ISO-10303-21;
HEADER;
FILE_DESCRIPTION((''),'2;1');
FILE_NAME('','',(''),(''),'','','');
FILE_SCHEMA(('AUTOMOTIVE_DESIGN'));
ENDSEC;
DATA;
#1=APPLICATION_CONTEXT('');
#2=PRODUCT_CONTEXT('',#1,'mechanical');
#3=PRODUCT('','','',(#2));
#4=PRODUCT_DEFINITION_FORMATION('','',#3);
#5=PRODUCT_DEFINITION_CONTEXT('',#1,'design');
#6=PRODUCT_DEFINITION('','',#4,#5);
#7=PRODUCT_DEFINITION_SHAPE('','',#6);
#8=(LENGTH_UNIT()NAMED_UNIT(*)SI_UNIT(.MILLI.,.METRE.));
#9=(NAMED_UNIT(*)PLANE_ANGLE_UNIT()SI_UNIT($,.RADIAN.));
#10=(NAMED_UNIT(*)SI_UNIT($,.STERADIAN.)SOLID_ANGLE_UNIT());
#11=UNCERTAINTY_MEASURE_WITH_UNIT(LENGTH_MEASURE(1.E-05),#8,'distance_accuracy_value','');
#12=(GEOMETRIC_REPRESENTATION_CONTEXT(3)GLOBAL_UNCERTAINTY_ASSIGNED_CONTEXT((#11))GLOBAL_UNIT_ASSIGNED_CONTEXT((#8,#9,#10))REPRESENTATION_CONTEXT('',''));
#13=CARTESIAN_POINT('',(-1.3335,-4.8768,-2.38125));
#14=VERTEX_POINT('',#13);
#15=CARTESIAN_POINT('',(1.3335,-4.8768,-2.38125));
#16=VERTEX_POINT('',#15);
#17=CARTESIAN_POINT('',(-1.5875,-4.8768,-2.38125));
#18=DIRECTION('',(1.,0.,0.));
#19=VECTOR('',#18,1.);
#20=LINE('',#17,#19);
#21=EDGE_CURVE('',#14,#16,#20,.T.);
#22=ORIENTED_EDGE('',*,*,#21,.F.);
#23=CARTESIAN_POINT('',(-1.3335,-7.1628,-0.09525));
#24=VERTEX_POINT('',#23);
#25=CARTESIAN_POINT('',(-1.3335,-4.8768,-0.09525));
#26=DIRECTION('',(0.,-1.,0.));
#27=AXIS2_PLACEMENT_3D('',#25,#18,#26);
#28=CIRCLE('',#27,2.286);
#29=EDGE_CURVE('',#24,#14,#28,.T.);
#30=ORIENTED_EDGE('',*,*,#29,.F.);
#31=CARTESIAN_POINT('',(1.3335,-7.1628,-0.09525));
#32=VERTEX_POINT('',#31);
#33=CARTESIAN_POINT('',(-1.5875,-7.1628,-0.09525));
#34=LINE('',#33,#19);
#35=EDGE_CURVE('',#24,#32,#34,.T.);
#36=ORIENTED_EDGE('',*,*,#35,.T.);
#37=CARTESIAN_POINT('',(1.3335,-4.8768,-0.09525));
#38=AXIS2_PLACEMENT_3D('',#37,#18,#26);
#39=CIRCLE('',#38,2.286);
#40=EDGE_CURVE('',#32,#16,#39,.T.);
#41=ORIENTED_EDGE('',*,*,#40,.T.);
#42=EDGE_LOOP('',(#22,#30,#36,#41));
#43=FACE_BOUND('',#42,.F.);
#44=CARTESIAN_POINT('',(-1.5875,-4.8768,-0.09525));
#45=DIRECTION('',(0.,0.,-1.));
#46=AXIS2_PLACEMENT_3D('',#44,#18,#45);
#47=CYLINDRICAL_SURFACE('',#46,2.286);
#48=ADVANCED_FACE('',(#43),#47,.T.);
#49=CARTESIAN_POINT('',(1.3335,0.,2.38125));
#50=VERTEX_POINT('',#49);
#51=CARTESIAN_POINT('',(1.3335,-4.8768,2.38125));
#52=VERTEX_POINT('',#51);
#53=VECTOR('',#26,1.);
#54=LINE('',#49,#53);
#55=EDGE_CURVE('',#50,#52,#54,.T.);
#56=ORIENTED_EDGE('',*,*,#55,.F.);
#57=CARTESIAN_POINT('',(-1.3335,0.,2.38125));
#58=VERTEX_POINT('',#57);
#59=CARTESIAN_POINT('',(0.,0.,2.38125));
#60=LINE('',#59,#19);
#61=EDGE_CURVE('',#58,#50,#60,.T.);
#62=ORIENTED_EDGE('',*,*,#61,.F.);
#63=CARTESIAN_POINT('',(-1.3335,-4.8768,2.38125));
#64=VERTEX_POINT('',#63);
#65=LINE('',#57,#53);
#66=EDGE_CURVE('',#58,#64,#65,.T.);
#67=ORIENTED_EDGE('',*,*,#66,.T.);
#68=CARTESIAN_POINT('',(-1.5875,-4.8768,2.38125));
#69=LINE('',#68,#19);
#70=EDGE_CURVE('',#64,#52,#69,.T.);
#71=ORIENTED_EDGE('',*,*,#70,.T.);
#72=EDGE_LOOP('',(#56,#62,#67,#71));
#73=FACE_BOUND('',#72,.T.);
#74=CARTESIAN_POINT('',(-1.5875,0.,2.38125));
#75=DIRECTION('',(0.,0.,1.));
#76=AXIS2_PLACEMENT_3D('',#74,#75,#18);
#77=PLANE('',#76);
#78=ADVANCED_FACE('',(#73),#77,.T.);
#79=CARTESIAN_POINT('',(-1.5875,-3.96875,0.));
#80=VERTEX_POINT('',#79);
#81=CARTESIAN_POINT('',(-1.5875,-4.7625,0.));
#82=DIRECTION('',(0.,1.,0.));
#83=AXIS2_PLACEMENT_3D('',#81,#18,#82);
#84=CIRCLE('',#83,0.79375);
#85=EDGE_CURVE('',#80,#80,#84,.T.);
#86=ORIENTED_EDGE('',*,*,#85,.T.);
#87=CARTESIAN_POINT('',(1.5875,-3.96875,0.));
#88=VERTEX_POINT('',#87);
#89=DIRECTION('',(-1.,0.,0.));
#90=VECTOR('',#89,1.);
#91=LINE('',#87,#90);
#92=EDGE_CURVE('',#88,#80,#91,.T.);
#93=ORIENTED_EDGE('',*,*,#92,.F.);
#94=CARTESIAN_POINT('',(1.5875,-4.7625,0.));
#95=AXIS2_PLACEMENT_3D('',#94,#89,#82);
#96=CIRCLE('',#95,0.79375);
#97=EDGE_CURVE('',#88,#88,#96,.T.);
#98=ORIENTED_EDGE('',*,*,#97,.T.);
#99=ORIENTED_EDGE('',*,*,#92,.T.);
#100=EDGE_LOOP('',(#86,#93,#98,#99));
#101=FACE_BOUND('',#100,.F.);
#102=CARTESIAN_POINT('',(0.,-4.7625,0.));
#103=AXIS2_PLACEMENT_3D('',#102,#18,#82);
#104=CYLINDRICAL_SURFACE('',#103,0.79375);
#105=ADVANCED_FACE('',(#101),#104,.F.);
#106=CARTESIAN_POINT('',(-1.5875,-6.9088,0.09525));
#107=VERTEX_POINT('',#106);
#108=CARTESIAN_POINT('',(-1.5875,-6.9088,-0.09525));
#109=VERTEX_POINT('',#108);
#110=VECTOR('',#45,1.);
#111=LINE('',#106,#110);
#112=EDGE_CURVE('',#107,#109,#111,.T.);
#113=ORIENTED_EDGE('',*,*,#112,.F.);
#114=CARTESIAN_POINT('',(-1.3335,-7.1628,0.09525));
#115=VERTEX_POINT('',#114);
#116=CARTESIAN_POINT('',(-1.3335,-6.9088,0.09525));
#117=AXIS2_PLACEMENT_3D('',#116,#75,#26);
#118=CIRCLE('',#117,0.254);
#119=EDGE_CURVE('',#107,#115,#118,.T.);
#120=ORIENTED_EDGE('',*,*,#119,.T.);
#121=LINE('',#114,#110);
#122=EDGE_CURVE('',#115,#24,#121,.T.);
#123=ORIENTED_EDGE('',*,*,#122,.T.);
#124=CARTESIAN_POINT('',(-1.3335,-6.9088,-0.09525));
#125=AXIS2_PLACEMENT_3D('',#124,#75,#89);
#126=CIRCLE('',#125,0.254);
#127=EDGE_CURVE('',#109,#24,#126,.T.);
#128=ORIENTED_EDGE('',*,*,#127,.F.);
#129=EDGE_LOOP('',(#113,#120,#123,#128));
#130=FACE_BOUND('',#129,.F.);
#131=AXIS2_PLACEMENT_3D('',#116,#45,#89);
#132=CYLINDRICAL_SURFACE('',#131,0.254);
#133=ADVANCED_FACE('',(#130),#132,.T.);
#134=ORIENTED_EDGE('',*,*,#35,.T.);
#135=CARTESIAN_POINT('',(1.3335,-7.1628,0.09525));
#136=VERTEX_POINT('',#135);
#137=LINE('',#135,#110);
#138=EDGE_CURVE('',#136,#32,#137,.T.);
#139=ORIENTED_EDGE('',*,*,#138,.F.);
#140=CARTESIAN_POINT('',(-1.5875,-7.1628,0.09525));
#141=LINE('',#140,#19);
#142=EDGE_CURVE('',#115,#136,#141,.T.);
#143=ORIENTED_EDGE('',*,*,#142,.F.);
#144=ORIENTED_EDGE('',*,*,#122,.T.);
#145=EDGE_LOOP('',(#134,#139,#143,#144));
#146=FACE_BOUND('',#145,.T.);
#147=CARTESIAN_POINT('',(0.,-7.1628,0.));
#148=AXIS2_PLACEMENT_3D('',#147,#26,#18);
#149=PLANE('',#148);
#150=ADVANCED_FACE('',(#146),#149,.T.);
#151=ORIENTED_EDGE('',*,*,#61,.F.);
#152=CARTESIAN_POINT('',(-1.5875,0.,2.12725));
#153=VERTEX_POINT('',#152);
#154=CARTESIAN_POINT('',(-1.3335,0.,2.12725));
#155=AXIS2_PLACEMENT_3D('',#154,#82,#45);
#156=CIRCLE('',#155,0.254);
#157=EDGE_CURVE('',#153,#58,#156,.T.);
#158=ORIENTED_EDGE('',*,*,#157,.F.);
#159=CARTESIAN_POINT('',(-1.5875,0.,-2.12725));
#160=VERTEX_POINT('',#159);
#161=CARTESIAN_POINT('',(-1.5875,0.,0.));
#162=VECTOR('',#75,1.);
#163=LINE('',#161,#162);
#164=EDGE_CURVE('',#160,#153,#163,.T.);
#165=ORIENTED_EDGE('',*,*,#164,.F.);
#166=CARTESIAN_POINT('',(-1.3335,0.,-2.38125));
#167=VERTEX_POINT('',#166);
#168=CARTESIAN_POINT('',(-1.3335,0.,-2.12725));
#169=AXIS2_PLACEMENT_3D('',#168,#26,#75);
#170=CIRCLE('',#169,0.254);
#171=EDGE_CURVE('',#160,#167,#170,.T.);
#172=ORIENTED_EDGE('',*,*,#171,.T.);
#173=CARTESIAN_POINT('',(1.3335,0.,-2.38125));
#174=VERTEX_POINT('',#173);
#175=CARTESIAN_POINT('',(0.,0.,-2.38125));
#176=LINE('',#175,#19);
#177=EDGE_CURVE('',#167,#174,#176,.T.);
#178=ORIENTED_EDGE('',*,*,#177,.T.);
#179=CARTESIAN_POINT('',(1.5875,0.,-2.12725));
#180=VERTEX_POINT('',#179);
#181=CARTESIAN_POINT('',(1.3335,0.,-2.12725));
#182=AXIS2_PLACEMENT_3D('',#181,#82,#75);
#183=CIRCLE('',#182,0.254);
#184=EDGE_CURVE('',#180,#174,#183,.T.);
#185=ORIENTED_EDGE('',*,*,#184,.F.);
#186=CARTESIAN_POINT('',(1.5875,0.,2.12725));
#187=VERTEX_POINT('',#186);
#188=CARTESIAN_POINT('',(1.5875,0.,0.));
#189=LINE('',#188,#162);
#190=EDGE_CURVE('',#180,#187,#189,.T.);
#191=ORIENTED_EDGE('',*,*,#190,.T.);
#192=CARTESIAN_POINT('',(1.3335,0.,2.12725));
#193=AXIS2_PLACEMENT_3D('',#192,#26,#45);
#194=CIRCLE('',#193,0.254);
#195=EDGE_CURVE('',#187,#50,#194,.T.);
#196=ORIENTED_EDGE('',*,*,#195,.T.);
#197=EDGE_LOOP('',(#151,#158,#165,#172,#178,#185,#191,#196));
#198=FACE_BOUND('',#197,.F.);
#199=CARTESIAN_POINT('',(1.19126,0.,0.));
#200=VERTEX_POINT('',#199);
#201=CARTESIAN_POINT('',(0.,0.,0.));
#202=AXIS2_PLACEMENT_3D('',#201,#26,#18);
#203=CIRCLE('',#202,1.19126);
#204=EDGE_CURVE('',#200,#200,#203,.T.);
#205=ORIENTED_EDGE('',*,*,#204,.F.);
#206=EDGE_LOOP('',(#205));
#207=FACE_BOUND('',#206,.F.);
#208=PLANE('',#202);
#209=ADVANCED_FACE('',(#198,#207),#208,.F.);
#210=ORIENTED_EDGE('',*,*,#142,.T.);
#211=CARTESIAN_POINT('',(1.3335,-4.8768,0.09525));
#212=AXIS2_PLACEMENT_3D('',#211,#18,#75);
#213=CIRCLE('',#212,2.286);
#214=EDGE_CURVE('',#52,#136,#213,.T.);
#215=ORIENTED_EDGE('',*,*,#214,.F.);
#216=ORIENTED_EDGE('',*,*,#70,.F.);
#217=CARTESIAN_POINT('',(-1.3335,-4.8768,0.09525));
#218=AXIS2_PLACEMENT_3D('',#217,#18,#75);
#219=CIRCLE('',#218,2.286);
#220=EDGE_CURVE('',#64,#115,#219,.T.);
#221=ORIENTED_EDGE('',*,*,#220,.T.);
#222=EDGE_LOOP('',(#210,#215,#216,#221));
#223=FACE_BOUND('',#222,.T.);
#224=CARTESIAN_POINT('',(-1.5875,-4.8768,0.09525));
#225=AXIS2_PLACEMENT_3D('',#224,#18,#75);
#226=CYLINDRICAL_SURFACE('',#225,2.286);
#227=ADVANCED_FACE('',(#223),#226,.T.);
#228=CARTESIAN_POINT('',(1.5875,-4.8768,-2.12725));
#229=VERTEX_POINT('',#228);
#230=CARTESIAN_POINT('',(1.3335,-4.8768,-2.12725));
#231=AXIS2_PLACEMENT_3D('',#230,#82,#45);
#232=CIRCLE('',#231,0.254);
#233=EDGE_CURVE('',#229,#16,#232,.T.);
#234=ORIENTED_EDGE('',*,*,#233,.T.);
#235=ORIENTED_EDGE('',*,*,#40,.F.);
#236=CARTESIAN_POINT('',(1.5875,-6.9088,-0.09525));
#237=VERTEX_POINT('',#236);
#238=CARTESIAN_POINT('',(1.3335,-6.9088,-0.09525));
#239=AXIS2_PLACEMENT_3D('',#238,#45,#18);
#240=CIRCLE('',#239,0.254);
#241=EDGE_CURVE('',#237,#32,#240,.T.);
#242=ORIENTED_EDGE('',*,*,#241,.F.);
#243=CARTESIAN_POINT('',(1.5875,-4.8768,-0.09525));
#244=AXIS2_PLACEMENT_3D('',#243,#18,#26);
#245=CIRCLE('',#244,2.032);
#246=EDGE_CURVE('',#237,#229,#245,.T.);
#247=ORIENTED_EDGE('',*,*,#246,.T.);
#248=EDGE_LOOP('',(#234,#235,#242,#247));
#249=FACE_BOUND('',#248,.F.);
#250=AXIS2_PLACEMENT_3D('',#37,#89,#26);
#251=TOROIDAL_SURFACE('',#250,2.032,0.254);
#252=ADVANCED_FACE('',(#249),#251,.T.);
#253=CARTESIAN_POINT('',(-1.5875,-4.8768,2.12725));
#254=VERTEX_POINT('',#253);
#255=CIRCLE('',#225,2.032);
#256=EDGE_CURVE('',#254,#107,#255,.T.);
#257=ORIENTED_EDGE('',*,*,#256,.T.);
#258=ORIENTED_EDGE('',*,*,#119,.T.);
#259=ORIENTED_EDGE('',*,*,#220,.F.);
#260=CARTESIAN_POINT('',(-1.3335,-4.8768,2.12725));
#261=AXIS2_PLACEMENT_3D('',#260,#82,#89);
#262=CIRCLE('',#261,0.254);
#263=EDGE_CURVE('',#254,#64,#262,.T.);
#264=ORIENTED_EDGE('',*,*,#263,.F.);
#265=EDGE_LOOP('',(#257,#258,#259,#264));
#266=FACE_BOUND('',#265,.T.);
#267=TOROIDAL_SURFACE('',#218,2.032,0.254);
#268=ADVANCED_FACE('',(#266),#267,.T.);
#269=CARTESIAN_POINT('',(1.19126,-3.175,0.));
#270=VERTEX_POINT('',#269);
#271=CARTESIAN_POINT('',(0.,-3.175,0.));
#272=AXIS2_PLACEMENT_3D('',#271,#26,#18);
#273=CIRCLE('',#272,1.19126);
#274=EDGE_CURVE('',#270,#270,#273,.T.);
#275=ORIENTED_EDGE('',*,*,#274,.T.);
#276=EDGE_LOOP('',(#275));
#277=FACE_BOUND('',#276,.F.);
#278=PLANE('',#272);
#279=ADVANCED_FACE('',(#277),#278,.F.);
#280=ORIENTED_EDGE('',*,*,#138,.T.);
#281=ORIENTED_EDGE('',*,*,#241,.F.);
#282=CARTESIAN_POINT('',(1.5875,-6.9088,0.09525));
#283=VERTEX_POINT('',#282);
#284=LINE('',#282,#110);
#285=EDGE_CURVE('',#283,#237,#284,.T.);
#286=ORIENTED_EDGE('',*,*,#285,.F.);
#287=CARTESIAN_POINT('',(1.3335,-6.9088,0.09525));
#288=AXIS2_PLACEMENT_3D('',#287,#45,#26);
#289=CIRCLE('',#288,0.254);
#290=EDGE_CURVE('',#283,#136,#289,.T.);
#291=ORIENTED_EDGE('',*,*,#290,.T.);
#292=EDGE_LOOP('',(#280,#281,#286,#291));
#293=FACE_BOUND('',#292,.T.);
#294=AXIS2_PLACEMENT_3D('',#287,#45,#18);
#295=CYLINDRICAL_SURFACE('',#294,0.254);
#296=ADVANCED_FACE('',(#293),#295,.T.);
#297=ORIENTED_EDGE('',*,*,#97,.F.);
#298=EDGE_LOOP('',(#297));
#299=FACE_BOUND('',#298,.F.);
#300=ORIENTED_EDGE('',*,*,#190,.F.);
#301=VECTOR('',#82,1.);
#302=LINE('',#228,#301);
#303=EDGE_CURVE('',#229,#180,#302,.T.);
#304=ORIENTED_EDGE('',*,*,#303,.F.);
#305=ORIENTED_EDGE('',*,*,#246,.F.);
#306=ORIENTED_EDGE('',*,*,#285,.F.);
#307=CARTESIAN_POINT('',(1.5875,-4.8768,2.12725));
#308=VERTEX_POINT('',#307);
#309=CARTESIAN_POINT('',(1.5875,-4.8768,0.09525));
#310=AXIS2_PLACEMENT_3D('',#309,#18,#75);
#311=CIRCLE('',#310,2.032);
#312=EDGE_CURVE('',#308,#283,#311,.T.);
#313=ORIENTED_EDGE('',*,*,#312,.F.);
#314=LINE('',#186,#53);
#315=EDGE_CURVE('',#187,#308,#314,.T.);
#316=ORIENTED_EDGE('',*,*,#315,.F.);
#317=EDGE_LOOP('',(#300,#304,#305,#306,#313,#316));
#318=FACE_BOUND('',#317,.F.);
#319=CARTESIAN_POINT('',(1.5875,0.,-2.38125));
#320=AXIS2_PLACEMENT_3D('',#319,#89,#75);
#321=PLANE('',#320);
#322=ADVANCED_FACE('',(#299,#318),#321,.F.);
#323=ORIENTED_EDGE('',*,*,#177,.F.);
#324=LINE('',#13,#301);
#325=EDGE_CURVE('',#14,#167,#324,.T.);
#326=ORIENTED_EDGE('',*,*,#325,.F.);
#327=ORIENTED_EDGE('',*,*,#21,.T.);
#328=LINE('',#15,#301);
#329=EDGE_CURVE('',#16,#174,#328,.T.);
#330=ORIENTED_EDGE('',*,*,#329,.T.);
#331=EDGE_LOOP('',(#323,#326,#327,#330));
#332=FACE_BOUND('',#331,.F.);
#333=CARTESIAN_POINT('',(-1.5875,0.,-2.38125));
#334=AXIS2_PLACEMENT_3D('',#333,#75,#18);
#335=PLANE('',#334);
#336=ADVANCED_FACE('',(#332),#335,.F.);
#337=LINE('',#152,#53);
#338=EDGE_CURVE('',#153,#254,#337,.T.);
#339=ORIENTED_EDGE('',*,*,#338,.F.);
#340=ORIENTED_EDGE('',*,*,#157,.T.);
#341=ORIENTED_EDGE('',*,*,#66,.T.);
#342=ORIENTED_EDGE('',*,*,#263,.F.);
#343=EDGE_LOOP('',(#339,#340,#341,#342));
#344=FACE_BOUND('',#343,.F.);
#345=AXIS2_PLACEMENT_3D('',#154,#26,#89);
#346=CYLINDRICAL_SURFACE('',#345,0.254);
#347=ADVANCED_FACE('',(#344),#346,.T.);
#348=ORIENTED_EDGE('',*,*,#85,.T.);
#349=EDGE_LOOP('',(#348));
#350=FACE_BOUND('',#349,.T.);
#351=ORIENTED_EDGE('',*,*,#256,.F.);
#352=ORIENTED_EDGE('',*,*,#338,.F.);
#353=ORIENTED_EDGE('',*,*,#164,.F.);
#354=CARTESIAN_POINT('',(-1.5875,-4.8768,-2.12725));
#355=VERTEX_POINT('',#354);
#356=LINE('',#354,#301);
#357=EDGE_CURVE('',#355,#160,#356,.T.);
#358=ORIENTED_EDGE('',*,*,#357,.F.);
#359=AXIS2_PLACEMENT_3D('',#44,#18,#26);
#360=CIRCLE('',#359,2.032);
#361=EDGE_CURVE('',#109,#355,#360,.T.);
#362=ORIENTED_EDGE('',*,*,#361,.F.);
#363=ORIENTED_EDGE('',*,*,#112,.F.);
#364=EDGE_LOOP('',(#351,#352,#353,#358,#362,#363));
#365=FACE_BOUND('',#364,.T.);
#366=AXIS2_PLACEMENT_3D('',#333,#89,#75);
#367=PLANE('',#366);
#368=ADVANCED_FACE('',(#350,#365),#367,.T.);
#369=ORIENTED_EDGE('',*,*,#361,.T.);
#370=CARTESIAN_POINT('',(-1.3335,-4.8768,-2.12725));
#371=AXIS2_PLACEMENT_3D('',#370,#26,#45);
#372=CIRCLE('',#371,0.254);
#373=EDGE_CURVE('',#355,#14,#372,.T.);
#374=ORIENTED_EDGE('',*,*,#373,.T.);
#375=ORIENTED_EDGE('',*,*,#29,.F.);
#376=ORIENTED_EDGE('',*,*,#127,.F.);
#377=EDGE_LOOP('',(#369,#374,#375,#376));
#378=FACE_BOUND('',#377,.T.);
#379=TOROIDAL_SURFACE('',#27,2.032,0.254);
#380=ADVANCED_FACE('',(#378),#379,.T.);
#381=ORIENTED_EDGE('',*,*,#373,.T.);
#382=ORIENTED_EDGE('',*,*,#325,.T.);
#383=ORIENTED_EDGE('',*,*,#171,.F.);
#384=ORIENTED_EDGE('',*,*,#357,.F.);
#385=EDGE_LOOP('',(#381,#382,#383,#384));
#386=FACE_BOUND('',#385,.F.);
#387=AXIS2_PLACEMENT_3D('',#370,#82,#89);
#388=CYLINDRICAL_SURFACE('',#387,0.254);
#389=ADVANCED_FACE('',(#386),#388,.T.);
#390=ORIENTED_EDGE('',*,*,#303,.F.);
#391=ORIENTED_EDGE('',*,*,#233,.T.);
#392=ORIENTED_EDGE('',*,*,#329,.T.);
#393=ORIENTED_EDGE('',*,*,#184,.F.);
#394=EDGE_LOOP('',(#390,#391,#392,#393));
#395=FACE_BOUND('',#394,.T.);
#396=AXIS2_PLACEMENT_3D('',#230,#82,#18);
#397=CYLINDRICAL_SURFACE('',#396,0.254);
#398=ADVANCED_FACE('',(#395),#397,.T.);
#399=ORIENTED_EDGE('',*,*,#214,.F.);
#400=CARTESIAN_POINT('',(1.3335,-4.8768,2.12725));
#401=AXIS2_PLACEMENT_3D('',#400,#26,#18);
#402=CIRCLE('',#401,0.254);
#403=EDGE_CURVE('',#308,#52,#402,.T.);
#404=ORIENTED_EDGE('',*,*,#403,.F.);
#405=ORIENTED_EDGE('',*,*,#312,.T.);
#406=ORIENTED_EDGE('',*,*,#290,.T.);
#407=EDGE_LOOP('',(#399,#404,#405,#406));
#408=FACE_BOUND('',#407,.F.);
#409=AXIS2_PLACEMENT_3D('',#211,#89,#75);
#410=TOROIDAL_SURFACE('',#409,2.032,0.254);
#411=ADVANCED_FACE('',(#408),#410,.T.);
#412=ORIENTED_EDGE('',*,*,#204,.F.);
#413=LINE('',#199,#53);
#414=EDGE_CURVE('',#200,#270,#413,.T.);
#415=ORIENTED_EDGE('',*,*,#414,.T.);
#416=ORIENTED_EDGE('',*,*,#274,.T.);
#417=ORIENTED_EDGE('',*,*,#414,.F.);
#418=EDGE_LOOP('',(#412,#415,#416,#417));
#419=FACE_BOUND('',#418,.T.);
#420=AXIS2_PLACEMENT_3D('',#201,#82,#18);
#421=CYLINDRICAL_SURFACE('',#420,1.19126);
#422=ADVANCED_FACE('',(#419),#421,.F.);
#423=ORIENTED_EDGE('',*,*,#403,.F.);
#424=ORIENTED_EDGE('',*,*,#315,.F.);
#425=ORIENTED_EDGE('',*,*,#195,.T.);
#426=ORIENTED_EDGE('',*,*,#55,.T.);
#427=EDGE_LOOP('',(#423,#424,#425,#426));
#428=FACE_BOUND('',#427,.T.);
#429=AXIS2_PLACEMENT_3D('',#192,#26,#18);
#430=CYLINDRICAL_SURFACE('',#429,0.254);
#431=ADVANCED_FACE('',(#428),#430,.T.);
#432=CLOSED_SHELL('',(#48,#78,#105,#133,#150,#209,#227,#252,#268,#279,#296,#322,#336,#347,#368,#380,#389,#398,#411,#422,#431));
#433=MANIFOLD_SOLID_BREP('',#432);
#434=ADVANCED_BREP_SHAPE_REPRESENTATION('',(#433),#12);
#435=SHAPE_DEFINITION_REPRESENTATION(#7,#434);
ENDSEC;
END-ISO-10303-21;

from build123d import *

# Parameters (mm, degrees)
F0_W          = 3.175
F0_H          = 4.7625
F1_DEPTH      = 7.1628
F2_R          = 2.286
F3_R          = 1.19126
F4_DEPTH      = 3.175
F5_R          = 0.79375
F6_DEPTH      = 25.4
F6_DEPTH_BACK = 25.4
F7_R          = 0.254


with BuildPart() as f1:
    # F0 (on Front) → F1 (new body)
    with BuildSketch(Plane.XZ):
        Rectangle(F0_W, F0_H)
    extrude(amount=F1_DEPTH)

    # F2
    f2_edges = [f1.edges().sort_by_distance(p)[0] for p in [
        (0, -7.1628, 2.38125),
        (0, -7.1628, -2.38125),
    ]]
    fillet(f2_edges, radius=F2_R)

    # F3 (on Front) → F4 (cut)
    with BuildSketch(Plane.XZ):
        Circle(F3_R)
    extrude(amount=F4_DEPTH, mode=Mode.SUBTRACT)

    # F5 (on Right) → F6 (cut, two sides)
    with BuildSketch(Plane.YZ) as f6_sk:
        with Locations((-4.7625, 0)):
            Circle(F5_R)
    extrude(amount=-F6_DEPTH, mode=Mode.SUBTRACT)
    extrude(f6_sk.sketch, amount=F6_DEPTH_BACK, mode=Mode.SUBTRACT)

    # F7
    f7_edges = [f1.edges().sort_by_distance(p)[0] for p in [
        (1.5875, -2.4384, 2.38125),
        (1.5875, -6.493246, 1.711696),
        (-1.5875, -6.493246, 1.711696),
        (-1.5875, -6.493246, -1.711696),
    ]]
    fillet(f7_edges, radius=F7_R)


solid = f1.part
